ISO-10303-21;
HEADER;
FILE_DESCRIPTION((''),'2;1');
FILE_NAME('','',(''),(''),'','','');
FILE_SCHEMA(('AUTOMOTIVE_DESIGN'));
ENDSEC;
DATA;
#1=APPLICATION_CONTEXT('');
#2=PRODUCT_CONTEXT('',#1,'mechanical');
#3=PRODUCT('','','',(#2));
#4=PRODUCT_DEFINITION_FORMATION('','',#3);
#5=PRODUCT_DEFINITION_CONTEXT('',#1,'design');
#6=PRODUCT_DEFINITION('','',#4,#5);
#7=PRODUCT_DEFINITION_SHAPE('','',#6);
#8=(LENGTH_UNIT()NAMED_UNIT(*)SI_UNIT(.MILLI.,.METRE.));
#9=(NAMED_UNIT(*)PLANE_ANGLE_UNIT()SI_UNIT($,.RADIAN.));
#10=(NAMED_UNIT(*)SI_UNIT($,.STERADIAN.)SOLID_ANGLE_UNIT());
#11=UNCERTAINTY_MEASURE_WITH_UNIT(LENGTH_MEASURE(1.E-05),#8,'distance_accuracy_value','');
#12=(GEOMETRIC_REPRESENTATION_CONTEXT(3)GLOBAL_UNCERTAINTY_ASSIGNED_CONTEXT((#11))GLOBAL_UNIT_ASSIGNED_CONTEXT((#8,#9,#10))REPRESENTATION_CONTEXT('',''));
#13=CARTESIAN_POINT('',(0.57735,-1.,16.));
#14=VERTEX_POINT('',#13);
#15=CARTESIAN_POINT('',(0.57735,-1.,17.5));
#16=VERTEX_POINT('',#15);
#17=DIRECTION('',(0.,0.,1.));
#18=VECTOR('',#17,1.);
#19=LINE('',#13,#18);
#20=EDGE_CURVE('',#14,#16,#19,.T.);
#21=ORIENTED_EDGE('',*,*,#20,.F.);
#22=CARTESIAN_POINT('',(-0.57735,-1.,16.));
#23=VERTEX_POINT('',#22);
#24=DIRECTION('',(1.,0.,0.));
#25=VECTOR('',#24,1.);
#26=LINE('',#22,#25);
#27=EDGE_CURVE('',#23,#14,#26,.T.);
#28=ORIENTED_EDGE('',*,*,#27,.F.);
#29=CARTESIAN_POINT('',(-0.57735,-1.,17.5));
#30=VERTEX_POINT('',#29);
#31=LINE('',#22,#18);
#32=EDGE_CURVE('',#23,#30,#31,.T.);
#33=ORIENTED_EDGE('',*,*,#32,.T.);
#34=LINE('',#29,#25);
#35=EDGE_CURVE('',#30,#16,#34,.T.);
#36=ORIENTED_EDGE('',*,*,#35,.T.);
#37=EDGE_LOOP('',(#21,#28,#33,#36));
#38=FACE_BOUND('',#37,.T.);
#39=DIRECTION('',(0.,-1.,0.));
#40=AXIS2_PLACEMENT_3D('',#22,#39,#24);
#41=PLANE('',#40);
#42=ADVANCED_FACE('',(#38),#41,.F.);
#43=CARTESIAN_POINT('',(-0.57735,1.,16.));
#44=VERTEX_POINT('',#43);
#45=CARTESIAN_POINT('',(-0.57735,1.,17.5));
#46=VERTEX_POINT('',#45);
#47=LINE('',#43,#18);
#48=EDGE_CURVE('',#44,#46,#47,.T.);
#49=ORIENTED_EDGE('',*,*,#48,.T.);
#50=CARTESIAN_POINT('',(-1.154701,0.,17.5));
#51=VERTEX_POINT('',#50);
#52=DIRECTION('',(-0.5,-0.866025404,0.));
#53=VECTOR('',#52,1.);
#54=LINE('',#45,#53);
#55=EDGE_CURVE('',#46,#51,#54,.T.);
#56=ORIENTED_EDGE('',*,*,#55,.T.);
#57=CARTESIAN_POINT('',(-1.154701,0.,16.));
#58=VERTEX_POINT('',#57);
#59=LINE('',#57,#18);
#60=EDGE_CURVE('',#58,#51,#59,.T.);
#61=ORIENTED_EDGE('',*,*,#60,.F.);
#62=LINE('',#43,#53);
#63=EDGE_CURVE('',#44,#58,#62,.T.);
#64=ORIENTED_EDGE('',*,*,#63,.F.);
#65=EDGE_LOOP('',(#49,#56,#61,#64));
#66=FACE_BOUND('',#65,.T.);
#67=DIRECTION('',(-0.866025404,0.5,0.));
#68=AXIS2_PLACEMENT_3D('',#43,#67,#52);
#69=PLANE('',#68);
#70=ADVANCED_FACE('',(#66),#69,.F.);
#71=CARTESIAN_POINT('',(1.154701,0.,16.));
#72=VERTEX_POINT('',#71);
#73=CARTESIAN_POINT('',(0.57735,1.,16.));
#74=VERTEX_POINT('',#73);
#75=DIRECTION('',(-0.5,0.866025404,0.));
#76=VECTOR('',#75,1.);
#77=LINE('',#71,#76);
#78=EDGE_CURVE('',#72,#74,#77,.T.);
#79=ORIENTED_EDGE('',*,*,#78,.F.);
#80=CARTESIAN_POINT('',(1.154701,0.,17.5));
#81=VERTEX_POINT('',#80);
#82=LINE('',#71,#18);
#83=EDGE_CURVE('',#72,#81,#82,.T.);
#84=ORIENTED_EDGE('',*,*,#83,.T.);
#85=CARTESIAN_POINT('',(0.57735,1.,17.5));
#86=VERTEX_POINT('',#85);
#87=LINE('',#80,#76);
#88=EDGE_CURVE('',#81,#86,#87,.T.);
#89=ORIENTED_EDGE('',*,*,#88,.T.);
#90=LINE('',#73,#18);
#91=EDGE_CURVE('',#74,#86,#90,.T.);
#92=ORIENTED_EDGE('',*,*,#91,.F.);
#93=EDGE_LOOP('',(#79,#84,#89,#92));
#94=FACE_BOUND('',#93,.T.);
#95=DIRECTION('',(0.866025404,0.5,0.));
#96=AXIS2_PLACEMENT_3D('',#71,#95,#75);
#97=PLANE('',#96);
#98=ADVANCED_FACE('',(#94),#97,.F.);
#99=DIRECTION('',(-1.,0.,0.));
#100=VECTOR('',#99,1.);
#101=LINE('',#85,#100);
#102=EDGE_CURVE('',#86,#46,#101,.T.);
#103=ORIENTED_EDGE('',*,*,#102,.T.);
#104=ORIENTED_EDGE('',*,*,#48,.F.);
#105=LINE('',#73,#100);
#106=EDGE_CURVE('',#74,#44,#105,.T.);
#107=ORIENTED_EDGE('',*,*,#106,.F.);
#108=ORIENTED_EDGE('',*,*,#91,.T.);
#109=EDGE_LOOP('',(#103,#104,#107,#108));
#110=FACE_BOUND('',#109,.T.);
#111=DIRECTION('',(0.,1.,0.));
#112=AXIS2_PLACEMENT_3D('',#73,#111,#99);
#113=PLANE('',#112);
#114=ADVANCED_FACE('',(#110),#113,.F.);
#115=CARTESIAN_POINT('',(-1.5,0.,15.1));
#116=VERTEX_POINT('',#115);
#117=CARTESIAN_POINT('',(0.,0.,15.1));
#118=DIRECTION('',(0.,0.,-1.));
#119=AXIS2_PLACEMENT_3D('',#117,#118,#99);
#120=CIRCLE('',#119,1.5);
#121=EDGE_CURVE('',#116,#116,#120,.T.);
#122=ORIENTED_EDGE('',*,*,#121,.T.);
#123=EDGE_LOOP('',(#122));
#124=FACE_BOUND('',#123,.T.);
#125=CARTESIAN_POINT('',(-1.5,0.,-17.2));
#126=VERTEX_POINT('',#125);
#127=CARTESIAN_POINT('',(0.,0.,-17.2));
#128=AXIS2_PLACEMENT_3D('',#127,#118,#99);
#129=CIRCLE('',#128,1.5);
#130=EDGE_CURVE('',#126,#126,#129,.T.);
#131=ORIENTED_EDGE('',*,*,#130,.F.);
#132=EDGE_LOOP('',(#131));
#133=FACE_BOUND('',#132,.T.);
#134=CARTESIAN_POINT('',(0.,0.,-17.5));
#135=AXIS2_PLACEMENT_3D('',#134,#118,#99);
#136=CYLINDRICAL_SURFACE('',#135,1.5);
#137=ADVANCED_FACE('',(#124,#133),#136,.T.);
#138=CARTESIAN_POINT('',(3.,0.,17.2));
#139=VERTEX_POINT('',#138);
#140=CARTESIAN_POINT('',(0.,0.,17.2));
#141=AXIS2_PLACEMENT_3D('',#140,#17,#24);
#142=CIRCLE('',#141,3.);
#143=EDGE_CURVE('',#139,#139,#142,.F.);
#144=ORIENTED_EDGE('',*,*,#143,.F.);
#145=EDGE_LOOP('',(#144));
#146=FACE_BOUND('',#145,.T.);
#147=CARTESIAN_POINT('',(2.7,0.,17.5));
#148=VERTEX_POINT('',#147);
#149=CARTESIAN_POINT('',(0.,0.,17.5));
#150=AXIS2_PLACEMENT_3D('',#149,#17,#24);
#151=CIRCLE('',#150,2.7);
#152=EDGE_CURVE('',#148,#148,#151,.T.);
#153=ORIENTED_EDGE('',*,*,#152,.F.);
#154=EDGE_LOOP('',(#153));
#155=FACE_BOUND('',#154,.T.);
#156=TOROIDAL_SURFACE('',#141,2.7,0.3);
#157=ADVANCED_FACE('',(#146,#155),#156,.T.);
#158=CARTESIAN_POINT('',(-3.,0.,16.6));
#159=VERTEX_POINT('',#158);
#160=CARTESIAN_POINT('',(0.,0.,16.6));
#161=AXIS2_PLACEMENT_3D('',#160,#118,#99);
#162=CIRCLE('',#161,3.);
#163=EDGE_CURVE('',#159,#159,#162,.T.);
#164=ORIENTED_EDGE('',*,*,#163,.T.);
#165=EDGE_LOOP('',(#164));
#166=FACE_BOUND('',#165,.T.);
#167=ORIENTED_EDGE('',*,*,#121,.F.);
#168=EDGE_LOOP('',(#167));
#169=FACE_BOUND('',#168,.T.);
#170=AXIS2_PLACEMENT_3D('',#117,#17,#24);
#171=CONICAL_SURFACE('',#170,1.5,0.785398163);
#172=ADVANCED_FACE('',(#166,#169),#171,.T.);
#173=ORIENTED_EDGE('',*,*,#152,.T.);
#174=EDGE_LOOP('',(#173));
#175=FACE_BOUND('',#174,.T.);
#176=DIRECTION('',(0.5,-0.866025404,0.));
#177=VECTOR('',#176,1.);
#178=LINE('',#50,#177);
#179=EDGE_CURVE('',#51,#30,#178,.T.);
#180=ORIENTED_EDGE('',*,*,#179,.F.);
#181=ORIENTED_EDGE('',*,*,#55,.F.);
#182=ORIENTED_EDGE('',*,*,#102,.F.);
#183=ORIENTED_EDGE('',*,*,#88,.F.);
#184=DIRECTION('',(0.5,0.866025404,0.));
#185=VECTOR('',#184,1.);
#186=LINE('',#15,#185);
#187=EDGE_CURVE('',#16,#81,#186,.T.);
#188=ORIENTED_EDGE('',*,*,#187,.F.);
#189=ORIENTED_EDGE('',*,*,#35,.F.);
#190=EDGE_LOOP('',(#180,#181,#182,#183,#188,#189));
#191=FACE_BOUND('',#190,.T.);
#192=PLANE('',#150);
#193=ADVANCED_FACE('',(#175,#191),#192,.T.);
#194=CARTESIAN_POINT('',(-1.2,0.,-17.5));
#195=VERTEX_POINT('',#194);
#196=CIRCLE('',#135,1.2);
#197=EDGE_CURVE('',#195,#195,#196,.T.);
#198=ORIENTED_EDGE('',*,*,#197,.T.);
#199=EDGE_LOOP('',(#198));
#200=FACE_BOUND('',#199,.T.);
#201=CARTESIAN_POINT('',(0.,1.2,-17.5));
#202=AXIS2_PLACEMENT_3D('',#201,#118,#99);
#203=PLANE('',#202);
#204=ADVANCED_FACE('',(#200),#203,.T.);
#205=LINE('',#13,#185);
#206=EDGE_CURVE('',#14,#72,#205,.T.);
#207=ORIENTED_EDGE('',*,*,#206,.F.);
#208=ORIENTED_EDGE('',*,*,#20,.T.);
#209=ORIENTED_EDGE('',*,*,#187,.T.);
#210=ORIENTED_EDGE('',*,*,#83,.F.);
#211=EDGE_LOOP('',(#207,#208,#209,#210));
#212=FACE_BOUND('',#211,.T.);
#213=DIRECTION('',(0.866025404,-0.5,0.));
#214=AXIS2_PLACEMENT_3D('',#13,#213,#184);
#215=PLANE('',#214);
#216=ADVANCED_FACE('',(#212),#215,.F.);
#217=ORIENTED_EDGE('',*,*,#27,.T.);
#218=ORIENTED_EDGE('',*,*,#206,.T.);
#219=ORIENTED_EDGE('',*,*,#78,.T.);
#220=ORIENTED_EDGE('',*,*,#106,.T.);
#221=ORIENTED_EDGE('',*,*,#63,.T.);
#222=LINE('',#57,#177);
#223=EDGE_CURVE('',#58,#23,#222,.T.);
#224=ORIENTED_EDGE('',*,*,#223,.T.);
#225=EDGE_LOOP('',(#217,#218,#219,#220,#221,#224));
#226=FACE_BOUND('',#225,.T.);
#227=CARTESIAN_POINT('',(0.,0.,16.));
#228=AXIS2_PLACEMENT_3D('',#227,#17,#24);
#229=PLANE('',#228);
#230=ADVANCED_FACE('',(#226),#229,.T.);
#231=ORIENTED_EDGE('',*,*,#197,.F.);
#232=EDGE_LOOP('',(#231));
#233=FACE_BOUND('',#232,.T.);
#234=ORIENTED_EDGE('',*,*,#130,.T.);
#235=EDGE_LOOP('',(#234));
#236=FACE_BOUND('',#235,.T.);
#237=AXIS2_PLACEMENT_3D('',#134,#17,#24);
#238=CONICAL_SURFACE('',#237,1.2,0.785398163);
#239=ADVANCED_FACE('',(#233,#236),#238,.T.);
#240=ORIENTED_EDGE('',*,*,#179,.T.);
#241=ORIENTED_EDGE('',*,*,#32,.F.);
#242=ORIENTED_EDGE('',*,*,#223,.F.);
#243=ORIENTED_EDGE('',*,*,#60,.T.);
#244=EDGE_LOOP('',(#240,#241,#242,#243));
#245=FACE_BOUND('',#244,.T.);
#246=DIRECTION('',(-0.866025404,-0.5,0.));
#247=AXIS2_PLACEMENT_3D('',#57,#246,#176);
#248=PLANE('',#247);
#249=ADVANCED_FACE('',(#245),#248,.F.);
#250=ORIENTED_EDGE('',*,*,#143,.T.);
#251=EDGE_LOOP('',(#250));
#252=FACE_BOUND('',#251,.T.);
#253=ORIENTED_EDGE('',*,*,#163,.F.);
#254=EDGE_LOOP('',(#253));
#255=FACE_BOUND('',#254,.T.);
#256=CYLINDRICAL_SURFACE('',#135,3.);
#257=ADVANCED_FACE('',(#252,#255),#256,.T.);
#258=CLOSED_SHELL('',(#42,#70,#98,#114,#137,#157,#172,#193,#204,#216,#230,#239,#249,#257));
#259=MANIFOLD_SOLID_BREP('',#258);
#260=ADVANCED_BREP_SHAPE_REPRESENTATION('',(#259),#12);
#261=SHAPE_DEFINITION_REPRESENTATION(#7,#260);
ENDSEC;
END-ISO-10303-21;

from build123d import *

# Parameters (mm, degrees)
CUT_EXTRUDE_1_DEPTH = 1.5
FILLET_1_R          = 0.3


with BuildPart() as part:
    # 草图1 → 旋转1 (revolve)
    with BuildSketch(Plane(origin=(0, 0, 0), x_dir=(0, 0, -1), z_dir=(1, 0, 0)), mode=Mode.PRIVATE) as revolve_1_sk:
        Polygon((-17.5, 0), (-17.5, 3), (-16.6, 3), (-15.1, 1.5), (17.2, 1.5), (17.5, 1.2), (17.5, 0), align=None)
    revolve(revolve_1_sk.sketch.rotate(Axis((0, 0, -17.5), (0, 0, 1)), 90), axis=Axis((0, 0, -17.5), (0, 0, 1)))

    # 草图2 → 切除-拉伸1 (cut)
    with BuildSketch(Plane.XY.offset(17.5)):
        Polygon((1.154700538, 0), (0.577350269, 1), (-0.577350269, 1), (-1.154700538, 0), (-0.577350269, -1), (0.577350269, -1), align=None)
    extrude(amount=-CUT_EXTRUDE_1_DEPTH, mode=Mode.SUBTRACT)

    # 圆角1
    fillet_1_edges = [part.edges().sort_by_distance(p)[0] for p in [
        (3, 0, 17.5),
    ]]
    fillet(fillet_1_edges, radius=FILLET_1_R)


solid = part.part
